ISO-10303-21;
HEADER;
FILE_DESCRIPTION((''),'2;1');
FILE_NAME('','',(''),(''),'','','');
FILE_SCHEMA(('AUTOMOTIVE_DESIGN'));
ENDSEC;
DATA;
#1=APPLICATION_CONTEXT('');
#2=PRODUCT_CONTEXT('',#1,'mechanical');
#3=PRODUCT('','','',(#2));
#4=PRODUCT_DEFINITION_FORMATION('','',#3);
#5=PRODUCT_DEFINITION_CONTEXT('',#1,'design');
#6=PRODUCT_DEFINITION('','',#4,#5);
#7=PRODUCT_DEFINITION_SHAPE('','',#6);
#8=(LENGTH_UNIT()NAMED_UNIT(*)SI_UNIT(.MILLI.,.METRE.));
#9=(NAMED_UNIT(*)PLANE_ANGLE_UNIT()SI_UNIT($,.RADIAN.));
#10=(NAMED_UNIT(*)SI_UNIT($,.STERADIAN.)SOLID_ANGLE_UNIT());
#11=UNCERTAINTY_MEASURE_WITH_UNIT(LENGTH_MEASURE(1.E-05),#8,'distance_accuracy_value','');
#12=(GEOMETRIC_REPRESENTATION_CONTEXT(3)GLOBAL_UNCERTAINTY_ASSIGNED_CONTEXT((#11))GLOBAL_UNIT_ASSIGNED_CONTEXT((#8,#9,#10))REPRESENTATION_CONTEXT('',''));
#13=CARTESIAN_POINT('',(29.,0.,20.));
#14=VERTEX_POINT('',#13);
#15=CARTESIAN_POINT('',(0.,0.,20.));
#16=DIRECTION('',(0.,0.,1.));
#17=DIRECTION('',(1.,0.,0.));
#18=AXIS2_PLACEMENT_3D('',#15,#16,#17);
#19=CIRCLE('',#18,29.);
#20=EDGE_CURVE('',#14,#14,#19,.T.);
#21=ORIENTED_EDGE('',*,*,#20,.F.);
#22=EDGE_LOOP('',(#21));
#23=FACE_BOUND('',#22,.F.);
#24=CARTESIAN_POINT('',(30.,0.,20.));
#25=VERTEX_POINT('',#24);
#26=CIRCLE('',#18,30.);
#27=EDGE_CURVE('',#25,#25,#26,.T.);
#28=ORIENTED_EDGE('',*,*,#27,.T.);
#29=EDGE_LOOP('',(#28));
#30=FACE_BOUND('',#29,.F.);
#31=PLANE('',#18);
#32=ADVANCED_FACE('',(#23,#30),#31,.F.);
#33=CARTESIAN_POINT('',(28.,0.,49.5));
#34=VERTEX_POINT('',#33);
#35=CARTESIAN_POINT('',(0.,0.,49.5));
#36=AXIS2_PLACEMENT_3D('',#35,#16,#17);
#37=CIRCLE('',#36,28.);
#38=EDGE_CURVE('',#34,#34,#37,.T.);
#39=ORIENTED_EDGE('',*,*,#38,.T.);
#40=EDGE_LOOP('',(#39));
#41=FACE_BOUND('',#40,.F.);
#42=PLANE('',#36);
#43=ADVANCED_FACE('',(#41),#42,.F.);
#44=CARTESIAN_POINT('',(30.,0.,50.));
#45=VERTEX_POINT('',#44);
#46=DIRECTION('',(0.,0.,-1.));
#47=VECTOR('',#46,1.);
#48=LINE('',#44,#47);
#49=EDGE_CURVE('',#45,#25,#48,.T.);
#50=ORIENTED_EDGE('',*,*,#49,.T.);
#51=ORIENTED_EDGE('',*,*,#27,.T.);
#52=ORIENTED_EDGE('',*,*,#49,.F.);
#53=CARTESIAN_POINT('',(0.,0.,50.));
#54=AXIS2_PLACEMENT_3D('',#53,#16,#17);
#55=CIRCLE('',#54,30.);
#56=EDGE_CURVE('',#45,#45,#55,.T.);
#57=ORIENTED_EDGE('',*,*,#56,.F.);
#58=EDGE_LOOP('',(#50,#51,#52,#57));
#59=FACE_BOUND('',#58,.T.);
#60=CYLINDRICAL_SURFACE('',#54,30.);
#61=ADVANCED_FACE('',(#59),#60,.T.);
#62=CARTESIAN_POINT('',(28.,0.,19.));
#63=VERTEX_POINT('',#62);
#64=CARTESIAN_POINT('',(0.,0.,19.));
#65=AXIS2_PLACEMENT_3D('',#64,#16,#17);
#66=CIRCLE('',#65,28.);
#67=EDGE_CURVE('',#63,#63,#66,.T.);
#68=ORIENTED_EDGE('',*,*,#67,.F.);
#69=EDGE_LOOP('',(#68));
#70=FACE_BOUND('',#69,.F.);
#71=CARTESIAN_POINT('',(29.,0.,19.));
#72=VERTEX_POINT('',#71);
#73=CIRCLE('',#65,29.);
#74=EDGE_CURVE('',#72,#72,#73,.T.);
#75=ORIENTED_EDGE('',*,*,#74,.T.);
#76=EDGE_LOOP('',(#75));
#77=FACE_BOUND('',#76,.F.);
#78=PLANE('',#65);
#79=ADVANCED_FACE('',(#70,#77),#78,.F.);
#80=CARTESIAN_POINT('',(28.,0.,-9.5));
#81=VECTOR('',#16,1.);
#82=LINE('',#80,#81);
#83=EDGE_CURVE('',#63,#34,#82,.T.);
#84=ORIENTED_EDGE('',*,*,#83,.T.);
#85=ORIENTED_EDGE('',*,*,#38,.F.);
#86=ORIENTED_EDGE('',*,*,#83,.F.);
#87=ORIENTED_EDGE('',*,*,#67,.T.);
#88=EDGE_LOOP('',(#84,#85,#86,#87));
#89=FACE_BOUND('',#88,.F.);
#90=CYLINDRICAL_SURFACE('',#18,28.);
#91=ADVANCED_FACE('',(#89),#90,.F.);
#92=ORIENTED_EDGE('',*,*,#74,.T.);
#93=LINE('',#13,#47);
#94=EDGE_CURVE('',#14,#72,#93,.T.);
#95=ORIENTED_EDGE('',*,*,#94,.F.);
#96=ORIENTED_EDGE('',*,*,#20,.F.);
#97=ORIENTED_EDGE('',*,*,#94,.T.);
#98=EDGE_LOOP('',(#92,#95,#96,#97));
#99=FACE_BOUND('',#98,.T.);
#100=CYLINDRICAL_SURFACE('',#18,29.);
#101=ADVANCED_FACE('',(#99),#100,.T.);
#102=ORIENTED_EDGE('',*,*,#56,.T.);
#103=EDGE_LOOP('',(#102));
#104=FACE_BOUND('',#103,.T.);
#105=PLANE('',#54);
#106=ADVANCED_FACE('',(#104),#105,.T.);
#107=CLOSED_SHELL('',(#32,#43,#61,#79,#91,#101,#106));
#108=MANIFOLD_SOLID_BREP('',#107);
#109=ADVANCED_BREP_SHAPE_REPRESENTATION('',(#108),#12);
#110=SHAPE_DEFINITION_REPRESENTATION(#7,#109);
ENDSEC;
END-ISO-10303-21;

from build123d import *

# Parameters (mm, degrees)
SKETCH_R        = 30
PAD_DEPTH       = 20
SKETCH001_R     = 29
POCKET_DEPTH    = 1
SKETCH002_R     = 28
POCKET001_DEPTH = 19
SKETCH003_R     = 30
PAD001_DEPTH    = 31
SKETCH004_R     = 28
POCKET002_DEPTH = 29.5


with BuildPart() as body:
    # Sketch → Pad (new body)
    with BuildSketch(Plane.XY):
        Circle(SKETCH_R)
    extrude(amount=PAD_DEPTH)

    # Sketch001 → Pocket (cut)
    with BuildSketch(Plane.XY.offset(20)):
        Circle(SKETCH001_R)
    extrude(amount=-POCKET_DEPTH, mode=Mode.SUBTRACT)

    # Sketch002 (on Face3 of Pocket) → Pocket001 (cut)
    with BuildSketch(Plane.XY.offset(20)):
        Circle(SKETCH002_R)
    extrude(amount=-POCKET001_DEPTH, mode=Mode.SUBTRACT)


with BuildPart() as cut:
    # Sketch003 → Pad001 (new body)
    with BuildSketch(Plane.XY.offset(50)):
        Circle(SKETCH003_R)
    extrude(amount=-PAD001_DEPTH)

    # Sketch004 (on Face2 of Pad001) → Pocket002 (cut, symmetric)
    with BuildSketch(Plane.XY.offset(20)):
        Circle(SKETCH004_R)
    extrude(amount=POCKET002_DEPTH, both=True, mode=Mode.SUBTRACT)

    # Cut: cut Body
    add(body.part, mode=Mode.SUBTRACT)


solid = cut.part
